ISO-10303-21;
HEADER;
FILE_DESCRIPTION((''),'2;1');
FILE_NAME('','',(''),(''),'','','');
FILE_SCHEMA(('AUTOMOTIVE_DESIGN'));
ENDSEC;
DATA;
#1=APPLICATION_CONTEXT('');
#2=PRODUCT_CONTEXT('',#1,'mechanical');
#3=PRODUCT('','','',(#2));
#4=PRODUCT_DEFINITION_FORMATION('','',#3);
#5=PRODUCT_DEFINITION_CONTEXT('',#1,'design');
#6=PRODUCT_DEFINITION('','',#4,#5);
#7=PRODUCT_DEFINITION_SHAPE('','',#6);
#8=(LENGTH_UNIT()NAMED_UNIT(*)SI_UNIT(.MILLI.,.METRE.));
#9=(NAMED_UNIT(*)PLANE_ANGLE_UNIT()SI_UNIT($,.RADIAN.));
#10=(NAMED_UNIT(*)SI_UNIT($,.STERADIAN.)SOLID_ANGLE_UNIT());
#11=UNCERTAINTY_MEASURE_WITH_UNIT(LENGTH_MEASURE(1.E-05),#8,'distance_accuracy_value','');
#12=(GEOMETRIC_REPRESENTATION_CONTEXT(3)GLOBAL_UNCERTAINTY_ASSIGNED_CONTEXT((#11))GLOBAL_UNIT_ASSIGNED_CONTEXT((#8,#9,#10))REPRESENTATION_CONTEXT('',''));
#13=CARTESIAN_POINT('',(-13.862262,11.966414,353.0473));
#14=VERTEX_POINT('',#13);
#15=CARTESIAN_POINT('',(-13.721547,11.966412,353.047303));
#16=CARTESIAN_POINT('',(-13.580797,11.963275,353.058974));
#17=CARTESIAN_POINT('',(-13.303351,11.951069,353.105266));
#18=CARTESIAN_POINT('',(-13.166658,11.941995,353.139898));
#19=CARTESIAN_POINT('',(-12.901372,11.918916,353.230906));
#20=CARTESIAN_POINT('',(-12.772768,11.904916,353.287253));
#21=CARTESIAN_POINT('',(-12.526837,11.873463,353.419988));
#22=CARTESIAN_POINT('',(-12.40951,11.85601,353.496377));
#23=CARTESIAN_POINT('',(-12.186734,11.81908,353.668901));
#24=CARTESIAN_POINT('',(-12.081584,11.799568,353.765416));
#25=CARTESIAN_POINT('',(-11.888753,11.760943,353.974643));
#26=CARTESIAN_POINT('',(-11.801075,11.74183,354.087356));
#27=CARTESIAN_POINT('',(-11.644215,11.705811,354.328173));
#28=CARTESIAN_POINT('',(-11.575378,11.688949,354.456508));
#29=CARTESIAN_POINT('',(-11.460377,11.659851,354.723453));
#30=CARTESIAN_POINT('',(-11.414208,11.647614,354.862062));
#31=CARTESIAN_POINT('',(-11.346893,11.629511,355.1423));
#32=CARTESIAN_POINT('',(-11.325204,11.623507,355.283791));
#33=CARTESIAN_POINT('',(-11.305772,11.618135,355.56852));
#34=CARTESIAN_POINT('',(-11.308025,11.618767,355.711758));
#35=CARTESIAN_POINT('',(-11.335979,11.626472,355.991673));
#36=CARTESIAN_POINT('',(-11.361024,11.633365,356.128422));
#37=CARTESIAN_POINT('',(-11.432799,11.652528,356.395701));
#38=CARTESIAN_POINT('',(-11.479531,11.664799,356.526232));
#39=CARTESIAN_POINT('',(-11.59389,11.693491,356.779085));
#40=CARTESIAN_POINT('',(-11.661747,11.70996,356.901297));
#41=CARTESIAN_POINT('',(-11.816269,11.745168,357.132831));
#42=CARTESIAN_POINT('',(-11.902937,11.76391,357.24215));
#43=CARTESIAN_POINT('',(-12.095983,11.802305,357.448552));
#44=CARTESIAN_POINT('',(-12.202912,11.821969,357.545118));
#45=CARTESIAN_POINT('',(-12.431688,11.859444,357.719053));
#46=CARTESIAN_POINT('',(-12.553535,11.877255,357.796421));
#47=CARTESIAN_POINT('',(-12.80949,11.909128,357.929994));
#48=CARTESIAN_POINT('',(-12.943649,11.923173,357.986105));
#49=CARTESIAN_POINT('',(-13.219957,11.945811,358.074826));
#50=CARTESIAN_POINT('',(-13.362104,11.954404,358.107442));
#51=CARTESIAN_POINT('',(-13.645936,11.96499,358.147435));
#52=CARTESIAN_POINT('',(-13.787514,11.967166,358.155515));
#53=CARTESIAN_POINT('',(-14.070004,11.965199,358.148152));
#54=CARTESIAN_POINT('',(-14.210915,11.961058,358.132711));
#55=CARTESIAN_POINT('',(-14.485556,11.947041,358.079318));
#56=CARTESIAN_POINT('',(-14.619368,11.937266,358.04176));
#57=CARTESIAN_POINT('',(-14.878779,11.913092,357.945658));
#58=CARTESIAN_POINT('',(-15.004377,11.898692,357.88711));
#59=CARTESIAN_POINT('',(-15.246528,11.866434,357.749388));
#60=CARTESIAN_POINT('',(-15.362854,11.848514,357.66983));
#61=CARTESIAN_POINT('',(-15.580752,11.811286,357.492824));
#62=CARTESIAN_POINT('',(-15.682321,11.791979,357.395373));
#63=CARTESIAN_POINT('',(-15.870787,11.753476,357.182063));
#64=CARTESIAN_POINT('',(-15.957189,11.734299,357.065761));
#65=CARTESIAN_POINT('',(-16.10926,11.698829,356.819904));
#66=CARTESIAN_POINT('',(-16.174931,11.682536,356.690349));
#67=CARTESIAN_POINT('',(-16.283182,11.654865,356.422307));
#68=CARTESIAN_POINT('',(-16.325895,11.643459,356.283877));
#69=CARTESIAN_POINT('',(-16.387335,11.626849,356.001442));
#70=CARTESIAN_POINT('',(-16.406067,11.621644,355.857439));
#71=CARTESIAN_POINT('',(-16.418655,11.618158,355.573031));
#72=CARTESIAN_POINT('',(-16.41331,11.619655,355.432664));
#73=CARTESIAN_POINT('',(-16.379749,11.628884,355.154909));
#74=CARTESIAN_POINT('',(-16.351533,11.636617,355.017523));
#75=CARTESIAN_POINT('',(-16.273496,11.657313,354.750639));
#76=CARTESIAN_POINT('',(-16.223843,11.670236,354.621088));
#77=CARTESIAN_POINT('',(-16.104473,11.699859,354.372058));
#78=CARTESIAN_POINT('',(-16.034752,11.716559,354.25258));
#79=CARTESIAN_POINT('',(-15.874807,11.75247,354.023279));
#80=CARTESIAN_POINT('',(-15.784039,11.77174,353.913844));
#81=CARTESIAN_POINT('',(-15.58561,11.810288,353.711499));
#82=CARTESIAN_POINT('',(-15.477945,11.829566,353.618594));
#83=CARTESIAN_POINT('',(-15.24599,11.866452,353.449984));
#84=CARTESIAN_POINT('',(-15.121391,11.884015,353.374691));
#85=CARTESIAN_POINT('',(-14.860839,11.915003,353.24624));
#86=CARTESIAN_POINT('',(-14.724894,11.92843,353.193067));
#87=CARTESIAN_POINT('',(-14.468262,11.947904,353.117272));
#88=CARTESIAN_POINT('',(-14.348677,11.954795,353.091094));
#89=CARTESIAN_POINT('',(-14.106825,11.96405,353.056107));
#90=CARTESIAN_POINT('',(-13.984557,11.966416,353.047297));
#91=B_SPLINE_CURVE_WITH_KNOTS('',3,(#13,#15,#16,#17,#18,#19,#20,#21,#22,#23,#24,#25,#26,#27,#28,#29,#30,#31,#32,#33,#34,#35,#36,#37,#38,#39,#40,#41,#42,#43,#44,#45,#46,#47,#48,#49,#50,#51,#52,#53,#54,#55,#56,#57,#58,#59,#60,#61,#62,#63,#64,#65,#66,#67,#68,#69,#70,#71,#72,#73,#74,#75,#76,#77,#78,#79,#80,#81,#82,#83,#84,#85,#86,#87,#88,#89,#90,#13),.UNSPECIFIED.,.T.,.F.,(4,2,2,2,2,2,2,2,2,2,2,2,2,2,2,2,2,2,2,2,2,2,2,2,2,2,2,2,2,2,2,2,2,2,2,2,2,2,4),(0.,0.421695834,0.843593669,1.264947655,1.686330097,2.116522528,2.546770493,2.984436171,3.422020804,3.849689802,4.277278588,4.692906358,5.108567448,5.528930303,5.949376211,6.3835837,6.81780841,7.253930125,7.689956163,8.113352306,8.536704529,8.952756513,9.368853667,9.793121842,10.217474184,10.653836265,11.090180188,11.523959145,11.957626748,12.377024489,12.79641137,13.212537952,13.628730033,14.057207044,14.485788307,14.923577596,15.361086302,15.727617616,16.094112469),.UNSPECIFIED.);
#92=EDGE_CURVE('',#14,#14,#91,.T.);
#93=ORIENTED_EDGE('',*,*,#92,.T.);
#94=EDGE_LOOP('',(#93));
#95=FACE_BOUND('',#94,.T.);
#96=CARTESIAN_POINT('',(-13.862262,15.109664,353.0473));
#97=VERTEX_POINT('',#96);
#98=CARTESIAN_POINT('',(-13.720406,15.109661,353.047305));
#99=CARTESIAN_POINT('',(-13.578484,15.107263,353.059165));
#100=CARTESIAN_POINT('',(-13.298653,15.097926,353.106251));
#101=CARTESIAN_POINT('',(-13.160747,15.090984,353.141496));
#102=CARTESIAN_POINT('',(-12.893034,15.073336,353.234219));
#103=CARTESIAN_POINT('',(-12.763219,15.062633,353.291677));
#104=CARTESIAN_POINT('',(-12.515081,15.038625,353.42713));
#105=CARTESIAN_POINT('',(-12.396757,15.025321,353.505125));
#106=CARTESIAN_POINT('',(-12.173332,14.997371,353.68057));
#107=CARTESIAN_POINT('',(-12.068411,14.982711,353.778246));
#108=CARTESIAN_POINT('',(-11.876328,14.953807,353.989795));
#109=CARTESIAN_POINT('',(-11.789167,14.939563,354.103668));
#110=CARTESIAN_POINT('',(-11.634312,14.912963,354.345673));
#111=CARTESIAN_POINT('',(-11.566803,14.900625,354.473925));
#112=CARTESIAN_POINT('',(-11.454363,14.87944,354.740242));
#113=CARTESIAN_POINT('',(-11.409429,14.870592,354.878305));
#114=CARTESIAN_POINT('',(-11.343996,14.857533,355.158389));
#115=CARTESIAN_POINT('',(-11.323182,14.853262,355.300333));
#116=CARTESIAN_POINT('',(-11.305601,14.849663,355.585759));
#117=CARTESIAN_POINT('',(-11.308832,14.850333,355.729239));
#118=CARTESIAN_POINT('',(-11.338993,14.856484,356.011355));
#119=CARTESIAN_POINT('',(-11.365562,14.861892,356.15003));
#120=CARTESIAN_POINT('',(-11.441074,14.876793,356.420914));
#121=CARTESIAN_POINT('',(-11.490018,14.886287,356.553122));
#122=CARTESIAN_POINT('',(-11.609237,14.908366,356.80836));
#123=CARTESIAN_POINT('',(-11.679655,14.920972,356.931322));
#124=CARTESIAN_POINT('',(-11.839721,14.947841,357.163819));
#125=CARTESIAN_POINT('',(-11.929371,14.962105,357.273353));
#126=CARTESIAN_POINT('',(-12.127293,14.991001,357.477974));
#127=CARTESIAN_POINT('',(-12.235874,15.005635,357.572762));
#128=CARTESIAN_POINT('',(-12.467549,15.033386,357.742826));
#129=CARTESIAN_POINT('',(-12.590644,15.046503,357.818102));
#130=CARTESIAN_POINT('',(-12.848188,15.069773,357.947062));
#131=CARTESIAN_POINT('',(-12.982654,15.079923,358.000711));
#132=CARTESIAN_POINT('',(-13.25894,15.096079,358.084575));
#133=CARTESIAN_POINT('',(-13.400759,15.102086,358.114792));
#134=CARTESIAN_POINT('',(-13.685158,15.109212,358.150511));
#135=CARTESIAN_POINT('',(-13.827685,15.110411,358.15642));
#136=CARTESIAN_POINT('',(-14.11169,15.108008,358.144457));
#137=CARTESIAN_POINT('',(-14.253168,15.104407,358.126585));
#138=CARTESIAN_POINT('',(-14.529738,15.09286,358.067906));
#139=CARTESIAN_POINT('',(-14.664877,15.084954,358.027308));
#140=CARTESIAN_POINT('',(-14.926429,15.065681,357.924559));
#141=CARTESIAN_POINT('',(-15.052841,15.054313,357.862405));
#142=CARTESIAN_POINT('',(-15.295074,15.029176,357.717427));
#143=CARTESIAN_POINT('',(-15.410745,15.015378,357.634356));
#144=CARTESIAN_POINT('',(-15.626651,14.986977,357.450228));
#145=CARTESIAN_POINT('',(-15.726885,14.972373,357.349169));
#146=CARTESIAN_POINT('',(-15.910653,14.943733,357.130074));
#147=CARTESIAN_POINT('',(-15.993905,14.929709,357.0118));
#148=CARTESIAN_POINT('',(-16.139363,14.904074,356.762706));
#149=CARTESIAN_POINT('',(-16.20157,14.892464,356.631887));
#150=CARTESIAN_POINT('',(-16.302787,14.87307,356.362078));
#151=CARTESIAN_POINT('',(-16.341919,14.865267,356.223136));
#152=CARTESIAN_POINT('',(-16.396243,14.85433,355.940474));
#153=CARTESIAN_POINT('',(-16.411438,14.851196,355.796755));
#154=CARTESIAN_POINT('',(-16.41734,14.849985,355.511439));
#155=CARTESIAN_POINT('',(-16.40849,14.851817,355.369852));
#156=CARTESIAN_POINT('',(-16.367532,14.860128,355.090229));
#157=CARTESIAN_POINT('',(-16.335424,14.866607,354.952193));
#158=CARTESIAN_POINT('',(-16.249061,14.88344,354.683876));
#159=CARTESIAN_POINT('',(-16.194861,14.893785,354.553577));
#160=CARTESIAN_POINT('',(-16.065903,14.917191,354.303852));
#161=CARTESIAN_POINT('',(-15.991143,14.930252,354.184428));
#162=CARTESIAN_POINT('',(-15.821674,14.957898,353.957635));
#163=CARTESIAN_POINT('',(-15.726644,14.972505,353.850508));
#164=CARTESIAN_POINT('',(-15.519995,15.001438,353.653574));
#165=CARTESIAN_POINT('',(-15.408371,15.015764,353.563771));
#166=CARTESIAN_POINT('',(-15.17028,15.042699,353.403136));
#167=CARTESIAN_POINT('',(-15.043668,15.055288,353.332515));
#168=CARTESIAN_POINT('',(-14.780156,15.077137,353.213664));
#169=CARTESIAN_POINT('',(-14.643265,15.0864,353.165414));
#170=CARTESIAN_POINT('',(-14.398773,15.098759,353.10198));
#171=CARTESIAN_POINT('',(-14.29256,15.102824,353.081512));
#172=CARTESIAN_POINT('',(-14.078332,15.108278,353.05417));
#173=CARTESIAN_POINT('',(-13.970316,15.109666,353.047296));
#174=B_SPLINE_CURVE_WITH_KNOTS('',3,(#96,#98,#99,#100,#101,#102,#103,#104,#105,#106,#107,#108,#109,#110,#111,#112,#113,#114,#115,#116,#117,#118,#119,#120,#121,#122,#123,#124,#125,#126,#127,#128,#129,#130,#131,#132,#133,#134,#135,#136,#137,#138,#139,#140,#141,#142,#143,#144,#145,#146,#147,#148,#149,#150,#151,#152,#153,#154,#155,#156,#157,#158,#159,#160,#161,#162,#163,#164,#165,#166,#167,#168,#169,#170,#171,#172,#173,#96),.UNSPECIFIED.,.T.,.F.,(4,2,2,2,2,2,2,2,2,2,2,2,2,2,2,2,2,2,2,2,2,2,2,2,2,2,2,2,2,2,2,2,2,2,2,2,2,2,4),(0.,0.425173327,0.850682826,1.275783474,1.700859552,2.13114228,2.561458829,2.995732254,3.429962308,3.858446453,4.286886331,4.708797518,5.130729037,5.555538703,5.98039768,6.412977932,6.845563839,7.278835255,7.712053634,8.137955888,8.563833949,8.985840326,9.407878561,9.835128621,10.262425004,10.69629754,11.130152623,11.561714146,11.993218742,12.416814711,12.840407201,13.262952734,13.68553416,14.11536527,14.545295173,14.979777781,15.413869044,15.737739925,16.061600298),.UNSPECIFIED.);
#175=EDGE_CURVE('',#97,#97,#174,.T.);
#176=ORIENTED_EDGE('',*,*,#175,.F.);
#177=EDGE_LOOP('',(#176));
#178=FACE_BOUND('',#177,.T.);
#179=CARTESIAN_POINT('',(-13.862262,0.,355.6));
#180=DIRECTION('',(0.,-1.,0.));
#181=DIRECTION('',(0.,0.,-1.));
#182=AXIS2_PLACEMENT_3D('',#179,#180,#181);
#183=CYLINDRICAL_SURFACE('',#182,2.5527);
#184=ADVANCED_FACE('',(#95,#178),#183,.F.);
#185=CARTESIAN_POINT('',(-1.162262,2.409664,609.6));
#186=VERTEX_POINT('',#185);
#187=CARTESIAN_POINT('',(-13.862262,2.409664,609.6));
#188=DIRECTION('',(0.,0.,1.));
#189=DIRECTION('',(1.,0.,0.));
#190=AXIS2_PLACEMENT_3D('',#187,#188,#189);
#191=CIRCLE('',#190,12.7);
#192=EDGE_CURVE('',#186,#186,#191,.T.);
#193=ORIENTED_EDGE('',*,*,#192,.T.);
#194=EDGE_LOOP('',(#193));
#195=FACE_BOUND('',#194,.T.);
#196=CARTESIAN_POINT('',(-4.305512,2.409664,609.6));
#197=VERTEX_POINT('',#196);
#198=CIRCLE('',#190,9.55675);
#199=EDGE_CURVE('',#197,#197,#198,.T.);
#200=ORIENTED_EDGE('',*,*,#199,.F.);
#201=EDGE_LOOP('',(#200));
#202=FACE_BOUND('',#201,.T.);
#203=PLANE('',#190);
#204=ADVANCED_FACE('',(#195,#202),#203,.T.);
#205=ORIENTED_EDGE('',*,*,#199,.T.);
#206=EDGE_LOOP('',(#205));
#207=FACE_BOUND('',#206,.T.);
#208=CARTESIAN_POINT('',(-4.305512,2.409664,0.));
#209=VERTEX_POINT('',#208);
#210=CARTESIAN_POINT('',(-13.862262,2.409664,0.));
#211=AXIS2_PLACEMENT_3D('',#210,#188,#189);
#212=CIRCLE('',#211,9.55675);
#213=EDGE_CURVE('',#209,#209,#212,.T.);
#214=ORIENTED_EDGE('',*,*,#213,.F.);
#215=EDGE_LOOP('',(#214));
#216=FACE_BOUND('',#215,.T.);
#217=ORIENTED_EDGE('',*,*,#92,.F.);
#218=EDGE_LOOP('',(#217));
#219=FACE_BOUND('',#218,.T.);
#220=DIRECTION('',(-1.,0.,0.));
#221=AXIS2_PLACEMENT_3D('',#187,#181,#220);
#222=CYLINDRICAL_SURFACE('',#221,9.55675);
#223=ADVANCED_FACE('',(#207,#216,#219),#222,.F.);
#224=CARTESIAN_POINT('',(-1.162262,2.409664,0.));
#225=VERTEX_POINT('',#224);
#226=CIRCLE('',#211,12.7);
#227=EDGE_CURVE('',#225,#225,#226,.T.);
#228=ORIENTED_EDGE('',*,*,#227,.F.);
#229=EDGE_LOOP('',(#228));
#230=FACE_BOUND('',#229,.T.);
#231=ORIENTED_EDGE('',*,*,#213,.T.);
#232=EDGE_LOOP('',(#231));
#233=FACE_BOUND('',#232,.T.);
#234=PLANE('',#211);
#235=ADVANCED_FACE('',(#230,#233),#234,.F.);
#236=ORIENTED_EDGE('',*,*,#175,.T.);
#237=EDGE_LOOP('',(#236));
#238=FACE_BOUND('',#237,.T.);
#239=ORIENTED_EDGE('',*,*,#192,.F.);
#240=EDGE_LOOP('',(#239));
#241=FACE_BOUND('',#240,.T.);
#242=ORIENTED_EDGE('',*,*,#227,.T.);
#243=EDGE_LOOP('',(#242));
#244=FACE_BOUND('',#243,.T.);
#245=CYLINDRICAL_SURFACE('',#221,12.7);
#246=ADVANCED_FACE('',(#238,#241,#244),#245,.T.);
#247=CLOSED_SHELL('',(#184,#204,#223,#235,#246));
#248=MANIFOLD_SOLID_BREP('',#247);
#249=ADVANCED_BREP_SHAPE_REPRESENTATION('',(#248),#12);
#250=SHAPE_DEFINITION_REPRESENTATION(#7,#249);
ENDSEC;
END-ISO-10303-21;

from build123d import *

# Parameters (mm, degrees)
SKETCH1_R           = 12.7
SKETCH1_R_2         = 9.55675
BOSS_EXTRUDE1_DEPTH = 609.6
SKETCH4_W           = 2.5527
SKETCH4_H           = 15.109663775


with BuildPart() as part:
    # Sketch1 → Boss-Extrude1 (new body)
    with BuildSketch(Plane.XY):
        with Locations(Location((-13.862261993, 2.409663775, 0), (0, 0, 180))):
            Circle(SKETCH1_R)
        with Locations(Location((-13.862261993, 2.409663775, 0), (0, 0, 180))):
            Circle(SKETCH1_R_2, mode=Mode.SUBTRACT)
    extrude(amount=BOSS_EXTRUDE1_DEPTH)

    # Sketch4 → Alignment Pin Bolt Hole (Clearance for 10-32) (revolve, cut)
    with BuildSketch(Plane(origin=(-13.862261993, 0, 355.6), x_dir=(0, 0, -1), z_dir=(1, 0, 0))):
        with Locations((1.27635, 7.554831888)):
            Rectangle(SKETCH4_W, SKETCH4_H)
    revolve(axis=Axis((-13.862261993, -6.35, 355.6), (0, 1, 0)), mode=Mode.SUBTRACT)


solid = part.part
